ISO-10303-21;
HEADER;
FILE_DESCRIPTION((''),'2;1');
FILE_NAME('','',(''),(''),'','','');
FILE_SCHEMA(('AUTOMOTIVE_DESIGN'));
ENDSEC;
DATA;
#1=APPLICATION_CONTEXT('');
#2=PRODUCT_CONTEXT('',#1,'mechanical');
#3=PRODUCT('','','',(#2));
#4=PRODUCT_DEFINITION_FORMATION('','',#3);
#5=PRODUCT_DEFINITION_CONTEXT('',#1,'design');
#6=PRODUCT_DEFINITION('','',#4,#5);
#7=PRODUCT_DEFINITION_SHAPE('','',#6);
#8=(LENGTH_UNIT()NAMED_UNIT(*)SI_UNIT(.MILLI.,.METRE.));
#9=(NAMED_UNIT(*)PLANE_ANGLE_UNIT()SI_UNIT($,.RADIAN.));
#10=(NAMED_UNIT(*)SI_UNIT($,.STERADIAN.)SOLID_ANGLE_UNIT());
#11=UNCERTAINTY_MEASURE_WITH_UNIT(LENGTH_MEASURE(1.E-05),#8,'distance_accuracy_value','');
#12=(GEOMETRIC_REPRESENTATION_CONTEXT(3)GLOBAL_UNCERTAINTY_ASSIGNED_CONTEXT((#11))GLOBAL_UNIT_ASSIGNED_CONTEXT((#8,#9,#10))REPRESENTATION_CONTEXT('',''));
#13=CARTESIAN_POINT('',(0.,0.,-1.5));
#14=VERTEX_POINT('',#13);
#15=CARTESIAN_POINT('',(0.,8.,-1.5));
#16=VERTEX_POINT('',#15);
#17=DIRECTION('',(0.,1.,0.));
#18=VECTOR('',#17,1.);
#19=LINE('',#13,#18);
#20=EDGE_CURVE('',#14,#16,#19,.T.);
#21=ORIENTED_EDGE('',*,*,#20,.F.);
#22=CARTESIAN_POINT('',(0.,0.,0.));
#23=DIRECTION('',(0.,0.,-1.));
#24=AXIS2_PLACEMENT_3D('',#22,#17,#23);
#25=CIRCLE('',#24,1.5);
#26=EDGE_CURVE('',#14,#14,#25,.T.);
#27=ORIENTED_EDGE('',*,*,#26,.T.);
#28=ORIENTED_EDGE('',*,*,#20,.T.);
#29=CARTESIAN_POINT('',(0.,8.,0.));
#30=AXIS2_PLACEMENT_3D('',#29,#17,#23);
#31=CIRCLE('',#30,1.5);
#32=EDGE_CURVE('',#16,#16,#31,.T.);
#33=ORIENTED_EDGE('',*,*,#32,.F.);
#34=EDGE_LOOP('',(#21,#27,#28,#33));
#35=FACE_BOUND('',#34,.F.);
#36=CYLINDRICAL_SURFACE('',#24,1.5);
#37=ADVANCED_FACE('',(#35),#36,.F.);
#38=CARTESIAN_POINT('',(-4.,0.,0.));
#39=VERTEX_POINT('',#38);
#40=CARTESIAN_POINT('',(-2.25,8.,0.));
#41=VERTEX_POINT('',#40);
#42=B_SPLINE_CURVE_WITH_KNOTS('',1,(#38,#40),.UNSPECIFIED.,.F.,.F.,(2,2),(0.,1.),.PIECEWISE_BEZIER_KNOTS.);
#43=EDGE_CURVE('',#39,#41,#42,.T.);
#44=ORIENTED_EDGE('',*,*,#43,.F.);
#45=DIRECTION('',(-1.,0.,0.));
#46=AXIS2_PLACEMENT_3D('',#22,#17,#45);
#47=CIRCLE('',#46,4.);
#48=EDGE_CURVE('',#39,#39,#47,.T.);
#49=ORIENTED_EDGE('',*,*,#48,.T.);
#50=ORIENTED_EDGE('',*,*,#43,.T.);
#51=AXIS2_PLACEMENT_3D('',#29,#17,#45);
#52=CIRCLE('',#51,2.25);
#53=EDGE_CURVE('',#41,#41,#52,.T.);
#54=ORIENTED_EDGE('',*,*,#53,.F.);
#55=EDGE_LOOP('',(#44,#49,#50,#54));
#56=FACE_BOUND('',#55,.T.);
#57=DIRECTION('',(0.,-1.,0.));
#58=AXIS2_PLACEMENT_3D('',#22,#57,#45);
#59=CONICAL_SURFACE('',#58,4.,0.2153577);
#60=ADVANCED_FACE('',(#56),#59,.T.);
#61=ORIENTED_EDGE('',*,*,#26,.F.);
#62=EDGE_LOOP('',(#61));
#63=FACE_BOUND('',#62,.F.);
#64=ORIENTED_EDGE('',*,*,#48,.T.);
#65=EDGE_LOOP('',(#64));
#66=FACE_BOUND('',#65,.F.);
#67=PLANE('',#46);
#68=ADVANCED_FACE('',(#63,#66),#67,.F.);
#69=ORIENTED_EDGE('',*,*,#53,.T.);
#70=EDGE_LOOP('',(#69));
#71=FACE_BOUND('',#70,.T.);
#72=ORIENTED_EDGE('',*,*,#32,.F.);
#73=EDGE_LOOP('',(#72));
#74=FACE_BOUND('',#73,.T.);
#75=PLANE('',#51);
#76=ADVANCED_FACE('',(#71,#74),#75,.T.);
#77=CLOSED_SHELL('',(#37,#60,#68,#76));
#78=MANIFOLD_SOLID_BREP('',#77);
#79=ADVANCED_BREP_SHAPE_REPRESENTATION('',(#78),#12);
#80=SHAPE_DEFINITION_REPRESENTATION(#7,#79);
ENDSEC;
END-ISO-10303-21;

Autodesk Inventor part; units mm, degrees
ref_plane "YZ Plane" through (0, 0, 0) normal (1, 0, 0) x (0, 1, 0)
ref_plane "XY Plane" through (0, 0, 0) normal (0, 0, 1) x (1, 0, 0)
sketch "Sketch1" plane through (0, 0, 0) normal (0, 1, 0) x (-1, 0, 0)
  circle A0 centre (0, 0) radius 4
  dimension "d1" = 8
ref_plane "Work Plane2" through (0, 8, 0) normal (0, 1, 0) x (-1, 0, 0)
sketch "Sketch2" plane through (0, 8, 0) normal (0, 1, 0) x (-1, 0, 0)
  circle A0 centre (0, 0) radius 2.25
  dimension "d4" = 4.5
loft "Loft1" add profiles "Sketch1", "Sketch2"
hole "Hole1" at (0, 0, 0) direction (0, 1, 0) diameter 3 end through all
properties part number "nozzle-3mm-tip"
